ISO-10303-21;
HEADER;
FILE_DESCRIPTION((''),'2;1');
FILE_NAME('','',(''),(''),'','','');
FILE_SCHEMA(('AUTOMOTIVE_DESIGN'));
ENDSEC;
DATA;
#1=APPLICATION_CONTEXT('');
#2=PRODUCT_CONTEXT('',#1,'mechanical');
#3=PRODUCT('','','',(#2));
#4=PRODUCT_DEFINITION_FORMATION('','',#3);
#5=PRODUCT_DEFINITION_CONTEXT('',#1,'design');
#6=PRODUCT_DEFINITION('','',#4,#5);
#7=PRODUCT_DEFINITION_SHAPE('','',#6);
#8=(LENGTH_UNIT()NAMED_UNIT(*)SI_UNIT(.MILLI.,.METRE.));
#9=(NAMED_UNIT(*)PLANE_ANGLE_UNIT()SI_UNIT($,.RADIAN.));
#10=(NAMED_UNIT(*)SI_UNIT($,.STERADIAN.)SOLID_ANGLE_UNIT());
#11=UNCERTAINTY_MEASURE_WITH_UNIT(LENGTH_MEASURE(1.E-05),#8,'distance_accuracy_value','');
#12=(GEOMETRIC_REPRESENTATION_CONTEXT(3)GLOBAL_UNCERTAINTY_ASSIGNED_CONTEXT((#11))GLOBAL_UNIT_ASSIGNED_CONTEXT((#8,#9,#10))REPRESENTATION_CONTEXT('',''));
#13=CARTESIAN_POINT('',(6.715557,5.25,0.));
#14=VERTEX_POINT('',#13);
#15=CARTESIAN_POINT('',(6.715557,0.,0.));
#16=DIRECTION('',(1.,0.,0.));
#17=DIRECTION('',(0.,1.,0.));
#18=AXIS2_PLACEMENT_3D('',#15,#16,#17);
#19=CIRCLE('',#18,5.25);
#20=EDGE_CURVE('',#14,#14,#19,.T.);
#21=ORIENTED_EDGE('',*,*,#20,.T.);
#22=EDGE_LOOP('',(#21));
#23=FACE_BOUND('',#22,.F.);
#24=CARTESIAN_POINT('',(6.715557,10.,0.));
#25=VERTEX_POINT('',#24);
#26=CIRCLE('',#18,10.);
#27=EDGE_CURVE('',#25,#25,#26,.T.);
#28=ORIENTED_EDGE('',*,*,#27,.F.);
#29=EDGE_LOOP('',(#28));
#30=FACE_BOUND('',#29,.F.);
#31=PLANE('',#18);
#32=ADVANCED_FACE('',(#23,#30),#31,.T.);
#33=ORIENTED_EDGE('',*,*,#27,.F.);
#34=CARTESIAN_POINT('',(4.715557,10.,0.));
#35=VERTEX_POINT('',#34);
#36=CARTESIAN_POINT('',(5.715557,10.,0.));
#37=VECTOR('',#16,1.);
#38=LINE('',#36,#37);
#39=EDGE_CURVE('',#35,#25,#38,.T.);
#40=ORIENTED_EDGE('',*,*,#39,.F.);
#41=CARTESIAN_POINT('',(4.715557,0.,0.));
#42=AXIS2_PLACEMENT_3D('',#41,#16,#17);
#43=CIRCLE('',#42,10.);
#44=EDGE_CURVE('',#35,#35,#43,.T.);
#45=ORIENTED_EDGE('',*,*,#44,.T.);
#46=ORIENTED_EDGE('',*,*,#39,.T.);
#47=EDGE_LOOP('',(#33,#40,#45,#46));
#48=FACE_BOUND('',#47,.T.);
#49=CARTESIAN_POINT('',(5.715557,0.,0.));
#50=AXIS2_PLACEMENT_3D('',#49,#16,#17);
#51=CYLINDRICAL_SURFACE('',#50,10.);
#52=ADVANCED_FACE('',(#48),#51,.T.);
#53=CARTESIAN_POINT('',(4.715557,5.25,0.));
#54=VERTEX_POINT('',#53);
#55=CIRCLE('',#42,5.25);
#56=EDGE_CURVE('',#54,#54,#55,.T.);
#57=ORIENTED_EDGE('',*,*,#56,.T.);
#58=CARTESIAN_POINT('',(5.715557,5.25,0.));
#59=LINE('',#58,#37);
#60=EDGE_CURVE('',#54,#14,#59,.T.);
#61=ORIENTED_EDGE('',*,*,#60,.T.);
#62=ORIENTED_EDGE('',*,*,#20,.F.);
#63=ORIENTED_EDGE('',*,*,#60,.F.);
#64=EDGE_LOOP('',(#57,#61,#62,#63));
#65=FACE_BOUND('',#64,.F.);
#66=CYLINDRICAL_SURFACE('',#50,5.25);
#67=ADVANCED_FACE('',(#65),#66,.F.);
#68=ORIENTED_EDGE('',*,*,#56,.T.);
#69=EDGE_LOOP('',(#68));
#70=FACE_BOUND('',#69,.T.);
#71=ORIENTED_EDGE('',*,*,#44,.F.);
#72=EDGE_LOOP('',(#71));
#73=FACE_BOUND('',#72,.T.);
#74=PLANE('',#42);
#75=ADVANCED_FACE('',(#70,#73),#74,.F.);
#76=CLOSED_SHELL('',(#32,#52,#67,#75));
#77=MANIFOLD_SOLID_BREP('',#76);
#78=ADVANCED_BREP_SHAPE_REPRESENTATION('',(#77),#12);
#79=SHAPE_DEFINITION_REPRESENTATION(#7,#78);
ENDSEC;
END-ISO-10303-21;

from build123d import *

# Parameters (mm, degrees)
SZKIC1_W = 2
SZKIC1_H = 4.75


with BuildPart() as part:
    # Szkic1 → Obrót1 (revolve)
    with BuildSketch(Plane.XY):
        with Locations((5.715556568, 7.625)):
            Rectangle(SZKIC1_W, SZKIC1_H)
    revolve(axis=Axis((0, 0, 0), (1, 0, 0)))


solid = part.part
